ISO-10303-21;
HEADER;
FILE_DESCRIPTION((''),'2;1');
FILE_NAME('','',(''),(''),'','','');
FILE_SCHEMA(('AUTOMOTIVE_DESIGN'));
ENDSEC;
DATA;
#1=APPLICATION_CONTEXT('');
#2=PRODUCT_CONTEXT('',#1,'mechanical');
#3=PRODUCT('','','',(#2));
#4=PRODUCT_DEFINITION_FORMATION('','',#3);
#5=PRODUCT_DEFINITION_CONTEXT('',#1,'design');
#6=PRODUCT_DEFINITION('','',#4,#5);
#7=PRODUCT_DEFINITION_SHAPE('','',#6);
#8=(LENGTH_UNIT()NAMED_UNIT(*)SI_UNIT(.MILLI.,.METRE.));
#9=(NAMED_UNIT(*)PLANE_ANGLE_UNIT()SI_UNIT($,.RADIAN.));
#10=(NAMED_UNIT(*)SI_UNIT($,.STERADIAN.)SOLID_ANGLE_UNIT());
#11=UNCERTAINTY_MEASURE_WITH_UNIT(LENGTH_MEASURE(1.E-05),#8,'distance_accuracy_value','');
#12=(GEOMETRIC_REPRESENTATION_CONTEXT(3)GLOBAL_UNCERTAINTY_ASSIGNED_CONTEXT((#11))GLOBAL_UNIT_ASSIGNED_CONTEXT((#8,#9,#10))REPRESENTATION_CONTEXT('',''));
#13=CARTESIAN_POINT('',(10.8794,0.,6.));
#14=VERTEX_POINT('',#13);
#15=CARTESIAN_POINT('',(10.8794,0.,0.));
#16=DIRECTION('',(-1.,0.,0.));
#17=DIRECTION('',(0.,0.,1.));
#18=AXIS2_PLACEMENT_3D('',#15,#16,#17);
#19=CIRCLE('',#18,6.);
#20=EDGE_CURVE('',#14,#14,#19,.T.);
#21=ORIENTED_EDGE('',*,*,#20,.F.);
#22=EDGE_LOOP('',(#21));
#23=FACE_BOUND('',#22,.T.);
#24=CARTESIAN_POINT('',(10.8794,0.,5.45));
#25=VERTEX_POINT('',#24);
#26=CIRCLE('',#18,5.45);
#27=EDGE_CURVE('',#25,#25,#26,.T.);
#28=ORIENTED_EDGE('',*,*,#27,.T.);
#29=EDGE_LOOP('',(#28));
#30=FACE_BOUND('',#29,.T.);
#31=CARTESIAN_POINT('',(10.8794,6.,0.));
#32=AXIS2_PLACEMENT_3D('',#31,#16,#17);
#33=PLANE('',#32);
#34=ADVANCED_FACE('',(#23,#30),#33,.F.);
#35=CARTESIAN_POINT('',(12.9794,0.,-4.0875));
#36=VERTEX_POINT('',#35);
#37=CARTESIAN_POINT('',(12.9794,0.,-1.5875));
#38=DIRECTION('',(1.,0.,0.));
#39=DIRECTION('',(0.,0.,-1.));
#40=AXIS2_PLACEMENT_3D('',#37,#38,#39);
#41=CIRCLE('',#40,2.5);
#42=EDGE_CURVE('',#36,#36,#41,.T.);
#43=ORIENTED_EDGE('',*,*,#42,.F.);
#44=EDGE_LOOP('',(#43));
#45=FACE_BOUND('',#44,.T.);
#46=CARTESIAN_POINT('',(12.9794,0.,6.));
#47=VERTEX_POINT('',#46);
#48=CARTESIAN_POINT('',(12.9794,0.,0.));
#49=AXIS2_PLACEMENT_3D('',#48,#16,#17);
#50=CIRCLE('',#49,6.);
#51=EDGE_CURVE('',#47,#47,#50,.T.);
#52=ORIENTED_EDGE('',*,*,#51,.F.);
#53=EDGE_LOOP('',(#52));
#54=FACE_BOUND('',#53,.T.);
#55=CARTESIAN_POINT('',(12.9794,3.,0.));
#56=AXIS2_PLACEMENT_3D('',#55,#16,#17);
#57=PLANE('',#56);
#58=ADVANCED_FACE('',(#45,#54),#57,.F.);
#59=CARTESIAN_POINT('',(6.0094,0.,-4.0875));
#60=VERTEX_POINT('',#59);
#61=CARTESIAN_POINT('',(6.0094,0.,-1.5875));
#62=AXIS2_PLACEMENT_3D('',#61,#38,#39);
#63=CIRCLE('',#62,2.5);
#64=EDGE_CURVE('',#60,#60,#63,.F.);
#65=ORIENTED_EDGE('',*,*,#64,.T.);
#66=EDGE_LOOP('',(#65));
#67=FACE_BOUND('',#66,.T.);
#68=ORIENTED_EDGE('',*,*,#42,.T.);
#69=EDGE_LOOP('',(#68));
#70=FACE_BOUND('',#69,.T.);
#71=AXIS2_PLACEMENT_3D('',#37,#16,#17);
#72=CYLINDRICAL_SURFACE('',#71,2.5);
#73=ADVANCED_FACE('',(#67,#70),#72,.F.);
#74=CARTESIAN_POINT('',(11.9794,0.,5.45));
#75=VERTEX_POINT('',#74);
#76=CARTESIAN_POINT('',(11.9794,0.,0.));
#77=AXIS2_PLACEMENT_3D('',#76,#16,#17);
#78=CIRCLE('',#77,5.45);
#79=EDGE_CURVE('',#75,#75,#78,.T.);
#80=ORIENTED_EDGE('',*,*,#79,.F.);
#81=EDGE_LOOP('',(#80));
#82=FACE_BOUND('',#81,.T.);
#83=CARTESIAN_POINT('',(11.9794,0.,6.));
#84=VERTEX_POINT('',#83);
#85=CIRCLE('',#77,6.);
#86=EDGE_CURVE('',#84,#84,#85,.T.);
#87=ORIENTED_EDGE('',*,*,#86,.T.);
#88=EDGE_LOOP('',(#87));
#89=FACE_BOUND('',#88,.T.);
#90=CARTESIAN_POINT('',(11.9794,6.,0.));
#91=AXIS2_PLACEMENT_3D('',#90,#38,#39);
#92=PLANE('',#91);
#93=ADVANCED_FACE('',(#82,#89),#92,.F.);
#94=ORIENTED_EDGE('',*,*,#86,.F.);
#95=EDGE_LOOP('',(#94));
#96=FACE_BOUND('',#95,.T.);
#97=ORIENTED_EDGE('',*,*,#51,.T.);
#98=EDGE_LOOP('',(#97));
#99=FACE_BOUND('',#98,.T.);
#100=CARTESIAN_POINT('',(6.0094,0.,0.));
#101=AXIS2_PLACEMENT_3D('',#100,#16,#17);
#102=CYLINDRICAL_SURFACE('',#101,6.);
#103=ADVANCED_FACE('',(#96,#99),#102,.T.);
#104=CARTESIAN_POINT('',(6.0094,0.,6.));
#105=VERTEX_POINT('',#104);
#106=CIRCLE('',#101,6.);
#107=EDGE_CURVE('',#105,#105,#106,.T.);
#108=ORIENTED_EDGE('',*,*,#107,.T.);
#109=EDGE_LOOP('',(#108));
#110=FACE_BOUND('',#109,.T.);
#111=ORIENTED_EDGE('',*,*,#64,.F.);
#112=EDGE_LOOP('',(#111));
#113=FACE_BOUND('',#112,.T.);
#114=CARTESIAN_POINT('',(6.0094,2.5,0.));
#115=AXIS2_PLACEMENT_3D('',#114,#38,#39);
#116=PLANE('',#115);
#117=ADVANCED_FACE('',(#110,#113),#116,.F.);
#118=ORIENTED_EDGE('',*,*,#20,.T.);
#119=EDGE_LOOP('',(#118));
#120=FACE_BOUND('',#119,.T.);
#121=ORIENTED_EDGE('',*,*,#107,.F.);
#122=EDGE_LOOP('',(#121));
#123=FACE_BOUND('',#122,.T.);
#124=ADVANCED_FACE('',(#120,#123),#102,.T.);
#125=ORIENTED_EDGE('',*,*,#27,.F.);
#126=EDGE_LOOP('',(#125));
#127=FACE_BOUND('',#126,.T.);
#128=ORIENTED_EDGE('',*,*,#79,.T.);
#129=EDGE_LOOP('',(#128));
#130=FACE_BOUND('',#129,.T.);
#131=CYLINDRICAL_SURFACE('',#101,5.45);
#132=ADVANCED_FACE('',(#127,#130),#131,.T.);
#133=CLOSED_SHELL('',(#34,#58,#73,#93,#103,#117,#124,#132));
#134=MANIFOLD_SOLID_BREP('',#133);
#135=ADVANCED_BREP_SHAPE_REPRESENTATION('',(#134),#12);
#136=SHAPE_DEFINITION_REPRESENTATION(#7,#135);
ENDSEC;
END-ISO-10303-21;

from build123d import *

# Parameters (mm, degrees)
SKETCH5_R          = 2.499999953
CUT_EXTRUDE1_DEPTH = 13.979399746


with BuildPart() as part:
    # Sketch3 → Revolve1 (revolve)
    with BuildSketch(Plane.XY):
        Polygon((12.979399746, 2.999999969), (12.979399746, 2.499999953), (12.979399746, 0), (6.009399716, 0), (6.009399716, 2.499999953), (6.009399716, 5.999999938), (9.97939965, 5.999999938), (10.879399628, 5.999999938), (10.879399628, 5.450000022), (11.979399714, 5.450000022), (11.979399714, 5.999999938), (12.979399746, 5.999999938), align=None)
    revolve(axis=Axis((6.009399716, 0, 0), (1, 0, 0)))

    # Sketch5 → Cut-Extrude1 (cut, through all)
    with BuildSketch(Plane(origin=(0, 0, 0), x_dir=(0, 0, -1), z_dir=(1, 0, 0))):
        with Locations((1.5875, 0)):
            Circle(SKETCH5_R)
    extrude(amount=CUT_EXTRUDE1_DEPTH, mode=Mode.SUBTRACT)


solid = part.part
